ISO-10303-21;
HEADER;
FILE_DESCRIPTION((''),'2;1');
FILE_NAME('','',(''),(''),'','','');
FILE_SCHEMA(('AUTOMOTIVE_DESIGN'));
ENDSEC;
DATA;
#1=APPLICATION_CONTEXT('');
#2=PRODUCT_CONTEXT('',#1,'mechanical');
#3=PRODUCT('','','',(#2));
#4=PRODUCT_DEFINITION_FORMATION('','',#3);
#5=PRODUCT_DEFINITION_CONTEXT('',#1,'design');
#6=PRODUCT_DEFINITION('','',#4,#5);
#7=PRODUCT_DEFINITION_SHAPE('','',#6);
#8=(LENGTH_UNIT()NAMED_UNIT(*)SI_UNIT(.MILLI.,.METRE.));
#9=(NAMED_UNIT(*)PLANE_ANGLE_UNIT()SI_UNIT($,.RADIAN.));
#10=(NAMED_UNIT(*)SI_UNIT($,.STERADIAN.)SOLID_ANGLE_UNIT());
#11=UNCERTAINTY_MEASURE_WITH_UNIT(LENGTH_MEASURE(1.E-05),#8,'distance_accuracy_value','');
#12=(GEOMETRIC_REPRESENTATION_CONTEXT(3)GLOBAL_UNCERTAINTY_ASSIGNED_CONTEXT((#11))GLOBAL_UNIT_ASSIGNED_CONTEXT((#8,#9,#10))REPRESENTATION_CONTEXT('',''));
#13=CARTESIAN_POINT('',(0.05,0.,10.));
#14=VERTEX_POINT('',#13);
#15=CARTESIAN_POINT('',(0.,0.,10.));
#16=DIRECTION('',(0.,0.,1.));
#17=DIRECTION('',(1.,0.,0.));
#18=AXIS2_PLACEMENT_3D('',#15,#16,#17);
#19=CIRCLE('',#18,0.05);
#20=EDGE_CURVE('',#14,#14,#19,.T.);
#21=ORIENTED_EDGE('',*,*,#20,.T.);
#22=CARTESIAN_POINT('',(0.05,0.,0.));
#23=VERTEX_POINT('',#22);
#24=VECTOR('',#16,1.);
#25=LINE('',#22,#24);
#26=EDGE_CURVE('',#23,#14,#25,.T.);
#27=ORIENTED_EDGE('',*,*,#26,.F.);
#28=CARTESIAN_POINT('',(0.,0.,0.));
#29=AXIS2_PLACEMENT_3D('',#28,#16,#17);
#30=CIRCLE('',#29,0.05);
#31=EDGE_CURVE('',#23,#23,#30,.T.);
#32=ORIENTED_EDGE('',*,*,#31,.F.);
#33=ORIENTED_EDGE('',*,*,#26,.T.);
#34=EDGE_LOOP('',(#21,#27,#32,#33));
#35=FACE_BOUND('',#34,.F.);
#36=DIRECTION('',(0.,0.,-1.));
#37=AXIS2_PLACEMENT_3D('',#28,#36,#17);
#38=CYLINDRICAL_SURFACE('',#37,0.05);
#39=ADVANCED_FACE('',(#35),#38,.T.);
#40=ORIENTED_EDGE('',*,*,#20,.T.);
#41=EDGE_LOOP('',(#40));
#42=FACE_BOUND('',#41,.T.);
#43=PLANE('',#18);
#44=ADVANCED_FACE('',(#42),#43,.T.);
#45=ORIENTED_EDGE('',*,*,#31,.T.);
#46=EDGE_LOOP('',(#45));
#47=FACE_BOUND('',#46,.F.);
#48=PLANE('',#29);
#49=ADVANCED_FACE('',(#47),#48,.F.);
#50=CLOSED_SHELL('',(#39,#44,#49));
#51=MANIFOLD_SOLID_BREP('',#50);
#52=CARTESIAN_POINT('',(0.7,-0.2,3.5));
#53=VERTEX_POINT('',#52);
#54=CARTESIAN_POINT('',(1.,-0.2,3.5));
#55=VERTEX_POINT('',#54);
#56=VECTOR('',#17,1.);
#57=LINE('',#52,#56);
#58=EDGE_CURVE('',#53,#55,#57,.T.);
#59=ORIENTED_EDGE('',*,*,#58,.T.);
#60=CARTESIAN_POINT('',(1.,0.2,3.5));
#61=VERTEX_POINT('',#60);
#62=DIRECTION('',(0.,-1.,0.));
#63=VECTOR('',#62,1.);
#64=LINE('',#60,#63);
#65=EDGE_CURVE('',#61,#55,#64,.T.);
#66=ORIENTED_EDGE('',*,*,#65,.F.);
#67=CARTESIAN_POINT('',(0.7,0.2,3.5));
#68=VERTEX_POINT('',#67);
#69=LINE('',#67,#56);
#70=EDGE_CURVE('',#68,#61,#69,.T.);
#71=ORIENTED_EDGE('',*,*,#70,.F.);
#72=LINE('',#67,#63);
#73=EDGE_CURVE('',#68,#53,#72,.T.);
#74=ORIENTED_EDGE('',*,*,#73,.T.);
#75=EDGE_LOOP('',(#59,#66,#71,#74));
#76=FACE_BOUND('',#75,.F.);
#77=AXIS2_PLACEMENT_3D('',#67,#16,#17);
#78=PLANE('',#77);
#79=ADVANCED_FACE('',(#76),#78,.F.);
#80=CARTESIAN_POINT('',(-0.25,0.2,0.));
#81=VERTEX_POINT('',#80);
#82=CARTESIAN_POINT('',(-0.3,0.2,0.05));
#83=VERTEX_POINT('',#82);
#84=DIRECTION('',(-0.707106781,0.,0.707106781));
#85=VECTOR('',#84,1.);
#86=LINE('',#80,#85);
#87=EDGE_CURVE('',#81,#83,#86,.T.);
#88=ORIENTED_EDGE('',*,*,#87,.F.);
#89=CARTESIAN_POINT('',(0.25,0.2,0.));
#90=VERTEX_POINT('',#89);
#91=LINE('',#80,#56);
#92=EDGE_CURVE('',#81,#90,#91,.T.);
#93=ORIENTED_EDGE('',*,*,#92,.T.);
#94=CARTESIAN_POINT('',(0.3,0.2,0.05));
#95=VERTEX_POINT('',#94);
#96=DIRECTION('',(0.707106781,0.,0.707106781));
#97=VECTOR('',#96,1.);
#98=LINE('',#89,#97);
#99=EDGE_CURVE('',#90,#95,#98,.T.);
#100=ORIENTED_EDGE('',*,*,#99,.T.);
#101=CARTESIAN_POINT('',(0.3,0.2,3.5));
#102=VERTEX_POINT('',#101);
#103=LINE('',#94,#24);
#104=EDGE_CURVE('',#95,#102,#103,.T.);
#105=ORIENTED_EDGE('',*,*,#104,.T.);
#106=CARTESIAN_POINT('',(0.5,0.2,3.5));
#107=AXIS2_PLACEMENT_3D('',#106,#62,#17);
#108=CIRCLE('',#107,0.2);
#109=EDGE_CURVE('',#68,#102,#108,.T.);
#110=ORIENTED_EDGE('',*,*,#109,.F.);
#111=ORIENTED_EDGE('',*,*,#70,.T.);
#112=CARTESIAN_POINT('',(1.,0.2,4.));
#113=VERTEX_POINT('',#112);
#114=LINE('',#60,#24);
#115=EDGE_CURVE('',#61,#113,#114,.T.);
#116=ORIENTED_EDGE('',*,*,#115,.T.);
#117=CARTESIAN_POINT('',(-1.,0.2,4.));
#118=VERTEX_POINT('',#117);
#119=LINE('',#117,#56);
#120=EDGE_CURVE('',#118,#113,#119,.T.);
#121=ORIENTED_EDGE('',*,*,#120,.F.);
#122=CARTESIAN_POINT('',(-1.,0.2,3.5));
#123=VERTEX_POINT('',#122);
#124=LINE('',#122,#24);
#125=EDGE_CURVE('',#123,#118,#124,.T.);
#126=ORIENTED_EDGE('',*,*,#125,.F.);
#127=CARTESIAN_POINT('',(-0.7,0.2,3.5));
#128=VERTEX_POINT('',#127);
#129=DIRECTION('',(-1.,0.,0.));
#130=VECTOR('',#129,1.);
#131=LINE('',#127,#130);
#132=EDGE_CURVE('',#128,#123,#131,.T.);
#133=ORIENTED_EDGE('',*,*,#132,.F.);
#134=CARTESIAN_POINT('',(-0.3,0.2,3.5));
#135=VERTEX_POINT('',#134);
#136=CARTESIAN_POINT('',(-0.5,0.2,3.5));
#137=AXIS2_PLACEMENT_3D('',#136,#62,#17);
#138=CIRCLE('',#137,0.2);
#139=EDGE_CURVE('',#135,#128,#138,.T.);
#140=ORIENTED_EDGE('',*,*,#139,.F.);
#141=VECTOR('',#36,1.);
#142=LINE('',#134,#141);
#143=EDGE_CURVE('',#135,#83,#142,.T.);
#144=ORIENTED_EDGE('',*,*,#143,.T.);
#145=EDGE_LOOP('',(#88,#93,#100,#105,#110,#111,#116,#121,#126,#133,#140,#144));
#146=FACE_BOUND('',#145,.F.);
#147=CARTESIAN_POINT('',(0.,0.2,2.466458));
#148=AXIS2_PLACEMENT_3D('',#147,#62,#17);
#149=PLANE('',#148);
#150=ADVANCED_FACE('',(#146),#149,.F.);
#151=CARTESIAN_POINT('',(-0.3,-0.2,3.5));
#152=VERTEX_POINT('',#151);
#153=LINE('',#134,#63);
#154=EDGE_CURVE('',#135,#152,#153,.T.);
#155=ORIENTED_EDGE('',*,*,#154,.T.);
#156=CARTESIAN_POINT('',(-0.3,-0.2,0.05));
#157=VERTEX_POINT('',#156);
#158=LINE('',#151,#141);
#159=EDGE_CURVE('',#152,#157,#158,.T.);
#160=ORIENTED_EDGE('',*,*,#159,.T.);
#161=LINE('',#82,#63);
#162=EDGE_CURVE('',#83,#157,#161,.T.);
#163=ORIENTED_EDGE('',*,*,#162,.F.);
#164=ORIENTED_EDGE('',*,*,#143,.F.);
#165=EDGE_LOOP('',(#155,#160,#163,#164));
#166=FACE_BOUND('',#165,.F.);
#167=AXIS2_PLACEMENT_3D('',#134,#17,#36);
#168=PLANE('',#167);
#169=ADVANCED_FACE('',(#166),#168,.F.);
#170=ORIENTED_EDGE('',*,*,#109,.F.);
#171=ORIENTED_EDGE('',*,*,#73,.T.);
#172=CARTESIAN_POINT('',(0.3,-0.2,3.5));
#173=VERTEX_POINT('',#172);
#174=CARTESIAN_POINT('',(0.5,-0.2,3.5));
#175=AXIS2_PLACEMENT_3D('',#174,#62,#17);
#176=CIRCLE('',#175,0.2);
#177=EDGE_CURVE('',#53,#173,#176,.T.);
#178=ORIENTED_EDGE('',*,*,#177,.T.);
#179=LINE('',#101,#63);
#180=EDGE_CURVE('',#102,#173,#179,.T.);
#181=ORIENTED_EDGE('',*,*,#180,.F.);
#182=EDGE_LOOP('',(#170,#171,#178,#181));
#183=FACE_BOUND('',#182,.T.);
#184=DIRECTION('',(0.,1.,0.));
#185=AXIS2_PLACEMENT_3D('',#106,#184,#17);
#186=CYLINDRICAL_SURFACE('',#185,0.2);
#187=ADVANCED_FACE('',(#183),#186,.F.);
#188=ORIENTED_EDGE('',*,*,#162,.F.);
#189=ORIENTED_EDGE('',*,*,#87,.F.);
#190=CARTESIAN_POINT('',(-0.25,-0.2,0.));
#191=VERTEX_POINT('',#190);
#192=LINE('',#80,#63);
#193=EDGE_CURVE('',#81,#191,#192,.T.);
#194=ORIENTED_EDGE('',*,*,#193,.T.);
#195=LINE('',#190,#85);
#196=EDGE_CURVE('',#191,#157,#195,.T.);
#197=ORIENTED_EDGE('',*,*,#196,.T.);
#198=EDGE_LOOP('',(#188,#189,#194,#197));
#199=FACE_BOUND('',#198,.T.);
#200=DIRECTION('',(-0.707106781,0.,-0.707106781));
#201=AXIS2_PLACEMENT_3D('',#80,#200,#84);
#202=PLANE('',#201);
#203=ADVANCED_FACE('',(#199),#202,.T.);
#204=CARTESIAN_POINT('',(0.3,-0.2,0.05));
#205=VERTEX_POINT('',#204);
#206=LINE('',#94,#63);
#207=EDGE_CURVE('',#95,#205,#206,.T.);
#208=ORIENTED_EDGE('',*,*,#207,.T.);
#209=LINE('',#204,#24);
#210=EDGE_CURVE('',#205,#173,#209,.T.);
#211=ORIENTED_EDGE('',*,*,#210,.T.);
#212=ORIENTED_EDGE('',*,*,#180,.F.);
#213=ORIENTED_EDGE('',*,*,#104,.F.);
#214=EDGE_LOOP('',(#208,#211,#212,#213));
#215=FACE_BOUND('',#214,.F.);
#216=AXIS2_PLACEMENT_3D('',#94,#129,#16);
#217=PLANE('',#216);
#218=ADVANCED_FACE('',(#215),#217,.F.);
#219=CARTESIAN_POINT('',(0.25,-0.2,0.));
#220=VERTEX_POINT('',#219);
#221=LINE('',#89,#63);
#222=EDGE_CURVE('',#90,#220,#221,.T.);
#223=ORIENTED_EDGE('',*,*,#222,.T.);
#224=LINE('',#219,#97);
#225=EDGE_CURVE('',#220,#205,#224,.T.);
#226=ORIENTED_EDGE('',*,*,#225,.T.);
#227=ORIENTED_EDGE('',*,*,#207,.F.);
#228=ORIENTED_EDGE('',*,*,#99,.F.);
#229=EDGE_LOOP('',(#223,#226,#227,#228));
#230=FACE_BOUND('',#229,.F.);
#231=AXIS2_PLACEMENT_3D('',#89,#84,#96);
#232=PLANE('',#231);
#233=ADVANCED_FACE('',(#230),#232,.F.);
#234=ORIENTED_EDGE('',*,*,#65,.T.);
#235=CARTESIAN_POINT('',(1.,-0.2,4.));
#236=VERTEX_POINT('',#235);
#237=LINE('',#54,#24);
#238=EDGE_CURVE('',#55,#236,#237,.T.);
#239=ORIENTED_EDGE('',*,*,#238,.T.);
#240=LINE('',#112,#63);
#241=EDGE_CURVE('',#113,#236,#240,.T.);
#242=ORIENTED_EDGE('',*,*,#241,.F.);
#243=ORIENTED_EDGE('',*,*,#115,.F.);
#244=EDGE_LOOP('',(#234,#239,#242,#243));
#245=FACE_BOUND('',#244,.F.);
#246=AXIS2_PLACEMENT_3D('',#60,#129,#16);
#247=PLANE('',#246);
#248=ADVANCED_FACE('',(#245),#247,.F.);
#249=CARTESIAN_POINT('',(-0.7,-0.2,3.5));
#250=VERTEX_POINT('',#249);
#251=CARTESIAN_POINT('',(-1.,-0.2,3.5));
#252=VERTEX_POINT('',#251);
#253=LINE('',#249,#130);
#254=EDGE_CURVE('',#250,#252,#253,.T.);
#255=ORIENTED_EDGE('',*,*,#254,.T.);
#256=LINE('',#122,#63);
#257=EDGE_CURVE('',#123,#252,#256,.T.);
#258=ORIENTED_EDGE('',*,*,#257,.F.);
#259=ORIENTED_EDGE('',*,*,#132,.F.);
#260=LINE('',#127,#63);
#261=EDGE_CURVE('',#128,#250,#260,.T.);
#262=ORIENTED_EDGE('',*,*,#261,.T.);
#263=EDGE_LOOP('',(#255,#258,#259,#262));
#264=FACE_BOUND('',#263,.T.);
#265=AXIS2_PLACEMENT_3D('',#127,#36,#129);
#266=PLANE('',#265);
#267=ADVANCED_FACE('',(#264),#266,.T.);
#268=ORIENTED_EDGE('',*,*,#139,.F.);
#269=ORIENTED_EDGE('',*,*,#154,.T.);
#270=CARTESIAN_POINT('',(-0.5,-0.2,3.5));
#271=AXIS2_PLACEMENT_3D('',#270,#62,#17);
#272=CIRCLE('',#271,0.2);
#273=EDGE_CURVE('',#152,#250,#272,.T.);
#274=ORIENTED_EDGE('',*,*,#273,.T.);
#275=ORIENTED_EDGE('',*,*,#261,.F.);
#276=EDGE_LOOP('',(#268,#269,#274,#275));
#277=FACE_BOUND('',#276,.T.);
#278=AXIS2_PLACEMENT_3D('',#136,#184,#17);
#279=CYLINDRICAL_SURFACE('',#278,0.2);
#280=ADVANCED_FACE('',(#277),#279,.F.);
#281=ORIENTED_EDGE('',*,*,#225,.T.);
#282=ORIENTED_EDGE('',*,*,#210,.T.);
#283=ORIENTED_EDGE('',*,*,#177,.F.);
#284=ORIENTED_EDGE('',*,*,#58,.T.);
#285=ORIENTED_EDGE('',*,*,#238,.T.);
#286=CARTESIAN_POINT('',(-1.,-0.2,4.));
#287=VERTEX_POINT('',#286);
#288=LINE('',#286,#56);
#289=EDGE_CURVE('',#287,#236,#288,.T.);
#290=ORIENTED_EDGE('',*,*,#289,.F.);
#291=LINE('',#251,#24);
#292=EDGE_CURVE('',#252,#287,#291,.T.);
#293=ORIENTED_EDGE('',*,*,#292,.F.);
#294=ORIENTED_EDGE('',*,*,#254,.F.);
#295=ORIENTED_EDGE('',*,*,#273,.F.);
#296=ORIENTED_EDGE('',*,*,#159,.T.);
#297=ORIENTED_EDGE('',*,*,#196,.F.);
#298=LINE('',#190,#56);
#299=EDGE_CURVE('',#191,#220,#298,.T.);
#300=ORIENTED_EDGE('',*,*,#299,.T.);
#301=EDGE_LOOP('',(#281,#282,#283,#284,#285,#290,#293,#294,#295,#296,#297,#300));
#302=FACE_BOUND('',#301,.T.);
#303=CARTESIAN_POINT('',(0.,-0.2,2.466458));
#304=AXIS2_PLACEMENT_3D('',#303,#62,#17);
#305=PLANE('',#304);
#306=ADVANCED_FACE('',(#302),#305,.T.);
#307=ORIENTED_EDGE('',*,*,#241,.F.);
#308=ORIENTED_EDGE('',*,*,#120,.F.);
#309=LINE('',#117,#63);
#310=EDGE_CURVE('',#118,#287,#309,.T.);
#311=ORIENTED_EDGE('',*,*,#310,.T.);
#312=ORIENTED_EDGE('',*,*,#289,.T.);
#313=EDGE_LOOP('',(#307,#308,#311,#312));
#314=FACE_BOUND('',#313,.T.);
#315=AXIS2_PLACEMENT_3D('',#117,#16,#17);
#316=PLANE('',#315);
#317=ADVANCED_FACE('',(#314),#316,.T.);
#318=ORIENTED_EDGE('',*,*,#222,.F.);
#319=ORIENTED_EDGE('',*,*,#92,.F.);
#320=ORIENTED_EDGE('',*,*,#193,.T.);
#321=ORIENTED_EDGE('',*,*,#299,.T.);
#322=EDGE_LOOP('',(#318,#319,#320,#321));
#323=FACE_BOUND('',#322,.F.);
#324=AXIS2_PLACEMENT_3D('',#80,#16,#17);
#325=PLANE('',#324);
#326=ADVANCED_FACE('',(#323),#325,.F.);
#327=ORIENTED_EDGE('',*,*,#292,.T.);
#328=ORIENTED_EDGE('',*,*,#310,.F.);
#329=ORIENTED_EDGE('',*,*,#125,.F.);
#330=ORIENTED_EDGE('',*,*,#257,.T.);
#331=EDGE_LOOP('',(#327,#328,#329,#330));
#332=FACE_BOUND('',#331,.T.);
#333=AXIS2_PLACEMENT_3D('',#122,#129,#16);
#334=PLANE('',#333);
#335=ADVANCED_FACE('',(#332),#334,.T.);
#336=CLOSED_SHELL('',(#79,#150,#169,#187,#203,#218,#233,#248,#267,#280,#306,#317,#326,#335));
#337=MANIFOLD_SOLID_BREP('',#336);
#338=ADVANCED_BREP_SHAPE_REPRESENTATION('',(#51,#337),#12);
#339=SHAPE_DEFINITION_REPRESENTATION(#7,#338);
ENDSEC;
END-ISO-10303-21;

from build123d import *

# Parameters (mm, degrees)
CYLINDER_R     = 0.05
CYLINDER_DEPTH = 10
EXTRUDE_DEPTH  = 0.4


with BuildPart() as cylinder:
    # Cylinder → Cylinder (new body)
    with BuildSketch(Plane.XY):
        Circle(CYLINDER_R)
    extrude(amount=CYLINDER_DEPTH)


with BuildPart() as pinextrude001:
    # Sketch → Extrude (new body)
    with BuildSketch(Plane.XZ.offset(-0.2)):
        with BuildLine():
            Line((0, 0), (0.25, 0))
            Line((0.25, 0), (0.3, 0.05))
            Line((0.3, 0.05), (0.3, 3.5))
            ThreePointArc((0.7, 3.5), (0.5, 3.7), (0.3, 3.5))
            Line((0.7, 3.5), (1, 3.5))
            Line((1, 3.5), (1, 4))
            Line((0, 4), (1, 4))
            Line((-1, 4), (0, 4))
            Line((-1, 3.5), (-1, 4))
            Line((-0.7, 3.5), (-1, 3.5))
            ThreePointArc((-0.3, 3.5), (-0.5, 3.7), (-0.7, 3.5))
            Line((-0.3, 3.5), (-0.3, 0.05))
            Line((-0.25, 0), (-0.3, 0.05))
            Line((0, 0), (-0.25, 0))
        make_face()
    extrude(amount=EXTRUDE_DEPTH)


solid = Compound([cylinder.part, pinextrude001.part])
